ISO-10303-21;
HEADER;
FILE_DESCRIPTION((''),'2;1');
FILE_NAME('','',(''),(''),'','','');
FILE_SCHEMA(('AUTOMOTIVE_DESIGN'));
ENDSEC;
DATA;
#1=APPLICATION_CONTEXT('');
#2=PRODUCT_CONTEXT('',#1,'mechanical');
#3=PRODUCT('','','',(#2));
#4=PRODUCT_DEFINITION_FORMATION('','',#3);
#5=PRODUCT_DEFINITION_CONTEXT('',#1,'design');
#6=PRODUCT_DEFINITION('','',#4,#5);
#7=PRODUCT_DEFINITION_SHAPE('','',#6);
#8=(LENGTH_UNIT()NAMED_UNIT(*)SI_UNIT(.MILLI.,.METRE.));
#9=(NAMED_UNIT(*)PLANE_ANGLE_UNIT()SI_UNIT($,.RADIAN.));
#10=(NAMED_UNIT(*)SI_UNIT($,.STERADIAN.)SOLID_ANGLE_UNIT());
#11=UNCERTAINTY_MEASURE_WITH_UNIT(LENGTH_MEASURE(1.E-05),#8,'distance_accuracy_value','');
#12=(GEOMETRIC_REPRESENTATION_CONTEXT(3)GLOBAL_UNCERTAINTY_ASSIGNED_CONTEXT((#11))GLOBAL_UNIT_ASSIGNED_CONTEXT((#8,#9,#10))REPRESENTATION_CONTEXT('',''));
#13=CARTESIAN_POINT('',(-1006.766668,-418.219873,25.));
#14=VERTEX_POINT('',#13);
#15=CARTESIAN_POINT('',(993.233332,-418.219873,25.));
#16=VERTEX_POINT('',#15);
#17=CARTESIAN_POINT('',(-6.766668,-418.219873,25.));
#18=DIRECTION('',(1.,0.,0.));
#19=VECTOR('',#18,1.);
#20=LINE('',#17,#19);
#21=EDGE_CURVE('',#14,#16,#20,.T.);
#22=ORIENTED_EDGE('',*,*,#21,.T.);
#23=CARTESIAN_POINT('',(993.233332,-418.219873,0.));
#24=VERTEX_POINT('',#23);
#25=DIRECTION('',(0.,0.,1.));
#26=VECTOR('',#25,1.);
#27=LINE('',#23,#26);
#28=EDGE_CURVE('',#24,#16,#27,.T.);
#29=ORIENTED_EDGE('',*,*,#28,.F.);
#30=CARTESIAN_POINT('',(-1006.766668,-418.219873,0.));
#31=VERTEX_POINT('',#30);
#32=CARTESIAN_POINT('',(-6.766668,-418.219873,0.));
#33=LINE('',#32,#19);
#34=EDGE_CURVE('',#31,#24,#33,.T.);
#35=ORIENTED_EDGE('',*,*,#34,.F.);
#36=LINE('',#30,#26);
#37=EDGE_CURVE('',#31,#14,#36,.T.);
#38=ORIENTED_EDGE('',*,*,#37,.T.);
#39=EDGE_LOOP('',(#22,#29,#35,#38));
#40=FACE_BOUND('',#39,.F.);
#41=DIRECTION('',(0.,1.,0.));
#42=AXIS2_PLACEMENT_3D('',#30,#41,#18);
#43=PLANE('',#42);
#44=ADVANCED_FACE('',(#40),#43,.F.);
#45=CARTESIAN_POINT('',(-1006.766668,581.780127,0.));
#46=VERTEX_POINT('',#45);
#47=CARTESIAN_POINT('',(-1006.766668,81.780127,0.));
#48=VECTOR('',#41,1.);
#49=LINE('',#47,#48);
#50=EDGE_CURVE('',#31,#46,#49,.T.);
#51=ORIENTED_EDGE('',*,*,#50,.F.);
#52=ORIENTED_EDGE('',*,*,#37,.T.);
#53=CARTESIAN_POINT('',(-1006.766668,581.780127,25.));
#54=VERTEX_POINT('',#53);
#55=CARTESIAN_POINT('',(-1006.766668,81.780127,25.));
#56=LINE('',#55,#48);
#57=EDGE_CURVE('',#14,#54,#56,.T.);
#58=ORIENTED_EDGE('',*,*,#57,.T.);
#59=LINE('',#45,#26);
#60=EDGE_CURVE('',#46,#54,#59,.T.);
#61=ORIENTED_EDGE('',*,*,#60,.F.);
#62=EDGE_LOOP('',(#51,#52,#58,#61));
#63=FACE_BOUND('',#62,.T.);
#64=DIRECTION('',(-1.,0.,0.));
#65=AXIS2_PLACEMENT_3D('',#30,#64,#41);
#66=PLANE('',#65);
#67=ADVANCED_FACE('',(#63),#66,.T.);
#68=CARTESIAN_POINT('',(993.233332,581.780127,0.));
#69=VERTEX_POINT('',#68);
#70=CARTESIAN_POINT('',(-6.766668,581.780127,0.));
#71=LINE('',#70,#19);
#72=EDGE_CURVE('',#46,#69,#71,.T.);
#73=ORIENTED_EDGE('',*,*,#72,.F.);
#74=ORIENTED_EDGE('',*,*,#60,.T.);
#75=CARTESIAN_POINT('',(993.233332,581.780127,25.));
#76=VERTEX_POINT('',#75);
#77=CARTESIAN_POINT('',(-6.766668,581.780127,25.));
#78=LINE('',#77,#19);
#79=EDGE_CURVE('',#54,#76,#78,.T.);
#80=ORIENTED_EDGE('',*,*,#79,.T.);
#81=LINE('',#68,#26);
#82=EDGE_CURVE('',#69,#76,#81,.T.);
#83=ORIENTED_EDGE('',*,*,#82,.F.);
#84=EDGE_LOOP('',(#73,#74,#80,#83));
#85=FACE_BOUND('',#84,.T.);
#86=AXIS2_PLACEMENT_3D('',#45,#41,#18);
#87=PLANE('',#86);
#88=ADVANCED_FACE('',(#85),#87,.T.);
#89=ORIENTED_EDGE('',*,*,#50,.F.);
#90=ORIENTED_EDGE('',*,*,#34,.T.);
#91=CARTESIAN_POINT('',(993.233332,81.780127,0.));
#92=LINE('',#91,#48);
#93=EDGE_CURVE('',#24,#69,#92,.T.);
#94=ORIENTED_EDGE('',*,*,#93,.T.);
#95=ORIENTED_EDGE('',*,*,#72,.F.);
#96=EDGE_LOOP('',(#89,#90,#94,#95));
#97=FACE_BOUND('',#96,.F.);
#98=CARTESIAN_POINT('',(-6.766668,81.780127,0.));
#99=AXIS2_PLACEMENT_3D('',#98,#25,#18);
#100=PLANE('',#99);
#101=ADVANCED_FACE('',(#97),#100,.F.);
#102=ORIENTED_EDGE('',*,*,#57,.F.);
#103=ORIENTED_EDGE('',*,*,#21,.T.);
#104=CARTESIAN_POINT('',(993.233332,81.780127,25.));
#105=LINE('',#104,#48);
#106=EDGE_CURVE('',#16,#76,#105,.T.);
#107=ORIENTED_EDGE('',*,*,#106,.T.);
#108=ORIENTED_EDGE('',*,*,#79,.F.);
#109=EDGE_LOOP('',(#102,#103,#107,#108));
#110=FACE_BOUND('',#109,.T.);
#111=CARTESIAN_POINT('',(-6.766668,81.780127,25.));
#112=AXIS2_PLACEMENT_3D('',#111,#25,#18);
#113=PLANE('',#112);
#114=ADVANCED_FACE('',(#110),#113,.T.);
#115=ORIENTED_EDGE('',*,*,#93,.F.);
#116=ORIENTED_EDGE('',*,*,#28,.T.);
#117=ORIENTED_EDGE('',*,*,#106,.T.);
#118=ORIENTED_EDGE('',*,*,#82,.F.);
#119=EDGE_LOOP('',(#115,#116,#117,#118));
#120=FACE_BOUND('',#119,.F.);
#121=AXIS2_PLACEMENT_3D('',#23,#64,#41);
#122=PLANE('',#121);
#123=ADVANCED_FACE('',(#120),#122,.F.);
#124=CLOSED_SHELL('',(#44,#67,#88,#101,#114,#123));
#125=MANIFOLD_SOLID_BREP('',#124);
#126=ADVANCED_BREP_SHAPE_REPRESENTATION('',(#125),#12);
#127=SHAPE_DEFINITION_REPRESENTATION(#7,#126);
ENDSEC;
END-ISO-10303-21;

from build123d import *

# Parameters (mm, degrees)
F0_W     = 2000
F0_H     = 1000
F0_W_2   = 100
F0_H_2   = 100
F1_DEPTH = 25


with BuildPart() as f1:
    # F0 (on Top) → F1 (new body)
    with BuildSketch(Plane.XY):
        with Locations((-6.7666675895, 81.7801266813)):
            Rectangle(F0_W, F0_H)
        with Locations((-906.7666675895, -318.2198733187)):
            Rectangle(F0_W_2, F0_H_2, mode=Mode.SUBTRACT)
        with Locations((893.2333324105, -318.2198733187)):
            Rectangle(F0_W_2, F0_H_2, mode=Mode.SUBTRACT)
        with Locations((-906.7666675895, 481.7801266813)):
            Rectangle(F0_W_2, F0_H_2, mode=Mode.SUBTRACT)
        with Locations((893.2333324105, 481.7801266813)):
            Rectangle(F0_W_2, F0_H_2, mode=Mode.SUBTRACT)
        with Locations((-906.7666675895, 481.7801266813)):
            Rectangle(F0_W_2, F0_H_2)
        with Locations((893.2333324105, 481.7801266813)):
            Rectangle(F0_W_2, F0_H_2)
        with Locations((893.2333324105, -318.2198733187)):
            Rectangle(F0_W_2, F0_H_2)
        with Locations((-906.7666675895, -318.2198733187)):
            Rectangle(F0_W_2, F0_H_2)
    extrude(amount=F1_DEPTH)


solid = f1.part
